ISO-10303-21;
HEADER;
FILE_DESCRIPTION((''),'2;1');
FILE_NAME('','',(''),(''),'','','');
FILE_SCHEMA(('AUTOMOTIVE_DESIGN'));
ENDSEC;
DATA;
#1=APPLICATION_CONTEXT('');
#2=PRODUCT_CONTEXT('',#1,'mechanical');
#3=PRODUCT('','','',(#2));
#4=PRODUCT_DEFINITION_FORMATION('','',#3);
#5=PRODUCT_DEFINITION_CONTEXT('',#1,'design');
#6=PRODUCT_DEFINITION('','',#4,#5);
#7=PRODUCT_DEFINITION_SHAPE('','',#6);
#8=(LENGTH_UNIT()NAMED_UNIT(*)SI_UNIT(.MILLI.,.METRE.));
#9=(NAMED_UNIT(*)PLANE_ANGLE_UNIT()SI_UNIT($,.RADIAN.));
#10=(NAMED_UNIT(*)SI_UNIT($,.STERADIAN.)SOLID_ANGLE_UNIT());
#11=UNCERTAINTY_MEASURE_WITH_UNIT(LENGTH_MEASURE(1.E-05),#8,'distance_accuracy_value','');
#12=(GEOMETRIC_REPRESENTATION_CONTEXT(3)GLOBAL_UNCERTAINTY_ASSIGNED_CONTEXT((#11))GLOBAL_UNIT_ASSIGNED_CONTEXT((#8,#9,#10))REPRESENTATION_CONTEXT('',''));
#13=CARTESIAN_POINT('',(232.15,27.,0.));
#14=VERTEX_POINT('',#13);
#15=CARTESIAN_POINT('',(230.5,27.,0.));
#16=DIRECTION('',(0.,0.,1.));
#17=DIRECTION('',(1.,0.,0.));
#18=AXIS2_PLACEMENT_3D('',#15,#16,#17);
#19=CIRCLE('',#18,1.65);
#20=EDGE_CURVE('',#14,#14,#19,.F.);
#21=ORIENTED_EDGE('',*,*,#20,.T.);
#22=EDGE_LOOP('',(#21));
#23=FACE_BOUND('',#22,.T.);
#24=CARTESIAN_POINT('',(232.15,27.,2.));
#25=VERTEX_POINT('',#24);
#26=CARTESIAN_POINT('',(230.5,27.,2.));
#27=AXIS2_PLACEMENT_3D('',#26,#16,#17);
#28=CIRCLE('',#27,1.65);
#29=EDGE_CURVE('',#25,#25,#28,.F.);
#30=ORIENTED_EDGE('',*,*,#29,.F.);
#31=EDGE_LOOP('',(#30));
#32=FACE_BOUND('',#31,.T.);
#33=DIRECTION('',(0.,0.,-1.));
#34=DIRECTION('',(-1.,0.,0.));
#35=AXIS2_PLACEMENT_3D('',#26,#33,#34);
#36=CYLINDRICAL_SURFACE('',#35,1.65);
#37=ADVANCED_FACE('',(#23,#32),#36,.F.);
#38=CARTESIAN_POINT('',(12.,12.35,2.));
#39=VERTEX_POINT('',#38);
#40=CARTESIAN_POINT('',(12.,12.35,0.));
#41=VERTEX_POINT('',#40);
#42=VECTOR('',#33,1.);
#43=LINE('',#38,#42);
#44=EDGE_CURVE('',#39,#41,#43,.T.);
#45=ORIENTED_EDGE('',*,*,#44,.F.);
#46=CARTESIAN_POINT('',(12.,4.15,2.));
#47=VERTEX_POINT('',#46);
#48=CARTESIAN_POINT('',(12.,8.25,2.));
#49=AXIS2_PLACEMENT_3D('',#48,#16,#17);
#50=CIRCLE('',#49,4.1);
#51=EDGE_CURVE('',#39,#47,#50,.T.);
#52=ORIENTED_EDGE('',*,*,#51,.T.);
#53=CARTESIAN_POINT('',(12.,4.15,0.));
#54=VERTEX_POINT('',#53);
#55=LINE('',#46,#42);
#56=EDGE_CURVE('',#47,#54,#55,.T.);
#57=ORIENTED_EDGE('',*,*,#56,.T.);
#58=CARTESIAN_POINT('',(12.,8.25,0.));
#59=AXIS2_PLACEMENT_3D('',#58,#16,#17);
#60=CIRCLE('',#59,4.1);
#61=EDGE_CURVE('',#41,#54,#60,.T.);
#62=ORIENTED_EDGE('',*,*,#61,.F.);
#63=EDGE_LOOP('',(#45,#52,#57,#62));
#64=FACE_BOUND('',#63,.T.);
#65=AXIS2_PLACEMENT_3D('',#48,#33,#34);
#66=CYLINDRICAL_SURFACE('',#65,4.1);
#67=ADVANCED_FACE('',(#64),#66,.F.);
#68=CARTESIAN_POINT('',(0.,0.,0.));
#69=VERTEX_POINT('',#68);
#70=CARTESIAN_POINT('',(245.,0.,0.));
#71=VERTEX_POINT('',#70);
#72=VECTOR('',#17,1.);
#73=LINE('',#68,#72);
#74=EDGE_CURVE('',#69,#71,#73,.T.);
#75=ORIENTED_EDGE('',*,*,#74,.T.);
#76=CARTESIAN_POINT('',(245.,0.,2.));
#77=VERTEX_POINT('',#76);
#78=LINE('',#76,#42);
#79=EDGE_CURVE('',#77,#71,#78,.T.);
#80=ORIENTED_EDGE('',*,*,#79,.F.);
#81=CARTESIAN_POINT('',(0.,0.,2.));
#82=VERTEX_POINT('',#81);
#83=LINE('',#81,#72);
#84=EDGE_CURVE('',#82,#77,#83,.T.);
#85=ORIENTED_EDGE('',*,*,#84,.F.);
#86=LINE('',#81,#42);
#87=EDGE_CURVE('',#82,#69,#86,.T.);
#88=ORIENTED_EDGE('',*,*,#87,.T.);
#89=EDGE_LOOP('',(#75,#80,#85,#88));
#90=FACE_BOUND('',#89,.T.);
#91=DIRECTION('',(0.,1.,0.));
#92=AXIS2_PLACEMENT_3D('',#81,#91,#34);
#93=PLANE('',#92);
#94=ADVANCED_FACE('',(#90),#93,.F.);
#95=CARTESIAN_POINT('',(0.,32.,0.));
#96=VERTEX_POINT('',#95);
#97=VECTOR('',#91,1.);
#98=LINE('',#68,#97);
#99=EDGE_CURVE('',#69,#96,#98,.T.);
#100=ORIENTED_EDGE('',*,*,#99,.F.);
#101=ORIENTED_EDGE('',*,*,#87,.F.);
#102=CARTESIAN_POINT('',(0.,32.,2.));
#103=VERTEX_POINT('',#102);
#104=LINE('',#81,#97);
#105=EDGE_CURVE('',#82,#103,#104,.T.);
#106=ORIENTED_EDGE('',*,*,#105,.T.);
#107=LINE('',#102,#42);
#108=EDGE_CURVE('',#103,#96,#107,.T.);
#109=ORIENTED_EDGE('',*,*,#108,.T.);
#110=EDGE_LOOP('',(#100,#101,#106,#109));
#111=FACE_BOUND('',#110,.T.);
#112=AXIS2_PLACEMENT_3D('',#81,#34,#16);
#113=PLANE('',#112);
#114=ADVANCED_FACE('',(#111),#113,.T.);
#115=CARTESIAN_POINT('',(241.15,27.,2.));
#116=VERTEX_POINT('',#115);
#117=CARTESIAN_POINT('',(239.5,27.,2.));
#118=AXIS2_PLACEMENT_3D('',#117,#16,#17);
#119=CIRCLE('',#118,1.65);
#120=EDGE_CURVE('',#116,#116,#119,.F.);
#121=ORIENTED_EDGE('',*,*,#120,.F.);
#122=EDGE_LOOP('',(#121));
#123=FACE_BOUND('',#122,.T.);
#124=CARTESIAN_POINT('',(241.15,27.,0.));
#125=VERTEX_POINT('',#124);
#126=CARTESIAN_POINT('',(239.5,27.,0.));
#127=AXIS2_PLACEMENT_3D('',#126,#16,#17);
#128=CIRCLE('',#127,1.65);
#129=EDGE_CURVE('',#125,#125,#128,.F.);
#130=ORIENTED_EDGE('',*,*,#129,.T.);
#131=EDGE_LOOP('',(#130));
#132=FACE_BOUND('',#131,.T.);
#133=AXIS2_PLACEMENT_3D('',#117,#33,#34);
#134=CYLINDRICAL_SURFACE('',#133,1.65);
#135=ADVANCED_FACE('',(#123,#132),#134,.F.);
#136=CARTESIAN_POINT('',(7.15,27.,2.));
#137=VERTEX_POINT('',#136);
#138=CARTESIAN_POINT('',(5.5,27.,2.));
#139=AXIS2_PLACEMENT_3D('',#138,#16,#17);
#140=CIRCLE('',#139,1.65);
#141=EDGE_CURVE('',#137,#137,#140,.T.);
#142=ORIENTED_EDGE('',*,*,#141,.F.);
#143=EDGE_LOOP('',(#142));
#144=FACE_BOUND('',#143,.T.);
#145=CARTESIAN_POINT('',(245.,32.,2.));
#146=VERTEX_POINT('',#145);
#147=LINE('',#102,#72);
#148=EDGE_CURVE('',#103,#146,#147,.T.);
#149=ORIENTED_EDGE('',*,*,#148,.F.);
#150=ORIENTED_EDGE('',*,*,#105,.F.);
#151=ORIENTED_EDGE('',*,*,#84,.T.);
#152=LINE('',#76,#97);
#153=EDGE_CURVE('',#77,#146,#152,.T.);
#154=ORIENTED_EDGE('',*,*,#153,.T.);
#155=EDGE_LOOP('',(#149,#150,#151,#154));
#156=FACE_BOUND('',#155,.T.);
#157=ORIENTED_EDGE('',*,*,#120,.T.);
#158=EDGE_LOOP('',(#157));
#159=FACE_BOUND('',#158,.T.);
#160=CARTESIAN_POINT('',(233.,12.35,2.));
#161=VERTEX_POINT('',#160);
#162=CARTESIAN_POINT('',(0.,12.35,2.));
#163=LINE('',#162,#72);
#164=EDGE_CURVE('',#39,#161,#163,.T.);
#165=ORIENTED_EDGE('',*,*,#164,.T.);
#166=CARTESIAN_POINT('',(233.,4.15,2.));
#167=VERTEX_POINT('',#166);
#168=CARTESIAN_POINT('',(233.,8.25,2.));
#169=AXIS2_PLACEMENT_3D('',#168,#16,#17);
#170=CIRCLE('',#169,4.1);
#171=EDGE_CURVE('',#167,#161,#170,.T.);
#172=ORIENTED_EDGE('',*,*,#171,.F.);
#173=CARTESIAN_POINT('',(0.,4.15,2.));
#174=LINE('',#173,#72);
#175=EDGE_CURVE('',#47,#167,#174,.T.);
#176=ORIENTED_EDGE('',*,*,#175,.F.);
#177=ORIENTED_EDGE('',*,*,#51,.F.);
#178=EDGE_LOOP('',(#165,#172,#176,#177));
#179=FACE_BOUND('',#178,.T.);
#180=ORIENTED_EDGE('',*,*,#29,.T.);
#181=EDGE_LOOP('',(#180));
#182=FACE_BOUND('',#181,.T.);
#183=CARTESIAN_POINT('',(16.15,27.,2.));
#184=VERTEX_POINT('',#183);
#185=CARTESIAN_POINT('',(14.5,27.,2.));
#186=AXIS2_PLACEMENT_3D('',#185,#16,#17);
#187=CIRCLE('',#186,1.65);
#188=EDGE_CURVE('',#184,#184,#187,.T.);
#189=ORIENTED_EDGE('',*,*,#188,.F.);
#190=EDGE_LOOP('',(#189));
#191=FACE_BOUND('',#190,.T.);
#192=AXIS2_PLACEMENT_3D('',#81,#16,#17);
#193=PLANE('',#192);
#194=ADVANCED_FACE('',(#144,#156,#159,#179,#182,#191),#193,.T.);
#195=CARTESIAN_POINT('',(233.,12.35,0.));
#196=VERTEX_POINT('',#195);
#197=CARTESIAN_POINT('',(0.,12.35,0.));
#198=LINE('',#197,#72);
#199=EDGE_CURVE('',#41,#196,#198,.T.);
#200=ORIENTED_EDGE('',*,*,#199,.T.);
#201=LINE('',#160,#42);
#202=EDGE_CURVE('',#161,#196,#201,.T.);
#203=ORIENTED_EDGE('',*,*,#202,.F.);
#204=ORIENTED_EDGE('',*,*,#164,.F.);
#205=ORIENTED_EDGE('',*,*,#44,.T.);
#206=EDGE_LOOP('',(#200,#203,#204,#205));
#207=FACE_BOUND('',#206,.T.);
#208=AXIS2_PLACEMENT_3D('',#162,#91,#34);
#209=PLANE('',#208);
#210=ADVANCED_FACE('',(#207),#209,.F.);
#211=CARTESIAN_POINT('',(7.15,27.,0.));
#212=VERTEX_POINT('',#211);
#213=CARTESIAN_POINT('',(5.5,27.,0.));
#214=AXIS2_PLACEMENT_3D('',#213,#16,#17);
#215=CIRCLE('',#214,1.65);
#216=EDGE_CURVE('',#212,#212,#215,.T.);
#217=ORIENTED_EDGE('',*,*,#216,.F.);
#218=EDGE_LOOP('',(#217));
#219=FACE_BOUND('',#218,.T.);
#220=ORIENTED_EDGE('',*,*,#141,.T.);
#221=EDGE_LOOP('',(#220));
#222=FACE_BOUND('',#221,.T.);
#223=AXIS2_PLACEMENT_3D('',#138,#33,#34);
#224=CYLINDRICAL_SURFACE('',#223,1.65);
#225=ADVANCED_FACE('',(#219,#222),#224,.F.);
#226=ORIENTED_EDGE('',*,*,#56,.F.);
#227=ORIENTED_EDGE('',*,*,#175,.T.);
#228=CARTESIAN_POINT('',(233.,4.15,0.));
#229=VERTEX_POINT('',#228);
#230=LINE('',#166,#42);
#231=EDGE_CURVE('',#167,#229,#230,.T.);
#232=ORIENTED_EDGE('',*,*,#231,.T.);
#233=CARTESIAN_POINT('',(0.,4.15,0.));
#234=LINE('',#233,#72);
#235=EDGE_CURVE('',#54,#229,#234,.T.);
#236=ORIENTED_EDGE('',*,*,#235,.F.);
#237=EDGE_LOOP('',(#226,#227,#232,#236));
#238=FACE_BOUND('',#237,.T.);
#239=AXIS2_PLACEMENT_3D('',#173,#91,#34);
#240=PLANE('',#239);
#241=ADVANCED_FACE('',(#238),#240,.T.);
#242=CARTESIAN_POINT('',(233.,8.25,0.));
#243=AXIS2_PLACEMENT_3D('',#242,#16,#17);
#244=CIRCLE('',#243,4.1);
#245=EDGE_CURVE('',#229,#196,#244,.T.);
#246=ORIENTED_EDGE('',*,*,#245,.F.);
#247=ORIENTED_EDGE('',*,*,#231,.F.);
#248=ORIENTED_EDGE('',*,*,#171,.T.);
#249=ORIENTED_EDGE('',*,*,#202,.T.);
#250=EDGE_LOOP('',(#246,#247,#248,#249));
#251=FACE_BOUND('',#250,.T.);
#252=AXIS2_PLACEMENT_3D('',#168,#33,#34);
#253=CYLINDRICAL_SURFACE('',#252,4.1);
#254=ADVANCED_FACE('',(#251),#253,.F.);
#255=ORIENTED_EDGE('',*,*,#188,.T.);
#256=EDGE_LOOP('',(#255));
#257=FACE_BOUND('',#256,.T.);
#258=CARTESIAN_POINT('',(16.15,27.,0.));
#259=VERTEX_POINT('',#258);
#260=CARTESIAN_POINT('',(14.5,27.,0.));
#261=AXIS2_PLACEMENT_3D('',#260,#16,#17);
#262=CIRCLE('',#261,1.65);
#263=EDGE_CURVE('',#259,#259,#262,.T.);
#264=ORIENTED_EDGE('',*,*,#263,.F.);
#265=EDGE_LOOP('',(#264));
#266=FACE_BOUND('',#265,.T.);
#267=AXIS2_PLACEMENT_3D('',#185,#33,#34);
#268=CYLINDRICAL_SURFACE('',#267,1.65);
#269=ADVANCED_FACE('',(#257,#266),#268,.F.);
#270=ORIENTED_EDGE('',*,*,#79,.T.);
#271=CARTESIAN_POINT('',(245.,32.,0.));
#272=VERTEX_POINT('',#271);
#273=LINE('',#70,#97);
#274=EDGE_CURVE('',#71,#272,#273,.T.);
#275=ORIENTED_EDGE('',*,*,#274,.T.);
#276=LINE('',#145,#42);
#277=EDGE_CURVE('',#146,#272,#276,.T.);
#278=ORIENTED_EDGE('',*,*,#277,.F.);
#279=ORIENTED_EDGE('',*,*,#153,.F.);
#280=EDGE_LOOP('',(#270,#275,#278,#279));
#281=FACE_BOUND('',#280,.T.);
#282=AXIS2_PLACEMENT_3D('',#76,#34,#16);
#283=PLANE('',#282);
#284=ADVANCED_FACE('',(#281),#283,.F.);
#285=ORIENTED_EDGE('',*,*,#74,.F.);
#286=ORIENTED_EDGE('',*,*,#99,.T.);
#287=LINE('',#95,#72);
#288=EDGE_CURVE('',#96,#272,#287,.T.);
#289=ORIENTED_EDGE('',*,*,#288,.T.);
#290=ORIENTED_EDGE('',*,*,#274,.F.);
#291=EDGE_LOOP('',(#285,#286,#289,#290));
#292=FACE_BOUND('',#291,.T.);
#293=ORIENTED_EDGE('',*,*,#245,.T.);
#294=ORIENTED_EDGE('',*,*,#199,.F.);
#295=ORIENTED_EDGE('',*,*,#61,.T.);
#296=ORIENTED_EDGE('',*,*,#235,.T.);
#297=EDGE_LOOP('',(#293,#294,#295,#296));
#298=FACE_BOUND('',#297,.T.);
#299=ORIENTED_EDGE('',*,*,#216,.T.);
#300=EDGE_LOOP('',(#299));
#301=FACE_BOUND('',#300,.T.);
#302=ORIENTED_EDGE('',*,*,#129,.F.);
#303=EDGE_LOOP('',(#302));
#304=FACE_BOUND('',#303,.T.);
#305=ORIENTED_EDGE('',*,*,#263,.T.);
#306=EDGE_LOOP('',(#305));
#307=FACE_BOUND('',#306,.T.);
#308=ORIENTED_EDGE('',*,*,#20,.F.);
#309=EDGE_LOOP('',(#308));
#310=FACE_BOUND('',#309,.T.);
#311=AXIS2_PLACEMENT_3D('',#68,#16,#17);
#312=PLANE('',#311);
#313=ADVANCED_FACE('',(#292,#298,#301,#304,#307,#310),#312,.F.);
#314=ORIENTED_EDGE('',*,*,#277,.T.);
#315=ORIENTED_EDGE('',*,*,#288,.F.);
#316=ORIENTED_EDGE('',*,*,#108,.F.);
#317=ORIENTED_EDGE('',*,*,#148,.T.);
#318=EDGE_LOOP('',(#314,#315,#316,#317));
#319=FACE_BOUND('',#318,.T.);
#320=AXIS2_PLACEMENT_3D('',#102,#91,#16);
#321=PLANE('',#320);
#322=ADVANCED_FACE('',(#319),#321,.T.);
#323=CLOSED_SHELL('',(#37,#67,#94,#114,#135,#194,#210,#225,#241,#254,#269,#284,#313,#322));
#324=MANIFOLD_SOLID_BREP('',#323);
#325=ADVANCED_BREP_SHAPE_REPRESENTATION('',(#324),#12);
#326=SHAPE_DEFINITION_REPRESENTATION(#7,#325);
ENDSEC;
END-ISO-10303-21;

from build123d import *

# Parameters (mm, degrees)
SKETCH_1_W      = 245
SKETCH_1_H      = 32
SKETCH_1_R      = 1.65
EXTRUDE_1_DEPTH = 2


with BuildPart() as part:
    # 草图1 → 凸台-拉伸1 (new body)
    with BuildSketch(Plane.XY):
        with Locations((122.5, 16)):
            Rectangle(SKETCH_1_W, SKETCH_1_H)
        with Locations((14.5, 27)):
            Circle(SKETCH_1_R, mode=Mode.SUBTRACT)
        with Locations((5.5, 27)):
            Circle(SKETCH_1_R, mode=Mode.SUBTRACT)
        with Locations((230.5, 27)):
            Circle(SKETCH_1_R, mode=Mode.SUBTRACT)
        with Locations((239.5, 27)):
            Circle(SKETCH_1_R, mode=Mode.SUBTRACT)
        with BuildLine():
            Line((12, 12.35), (233, 12.35))
            ThreePointArc((233, 12.35), (237.1, 8.25), (233, 4.15))
            Line((233, 4.15), (12, 4.15))
            ThreePointArc((12, 4.15), (7.9, 8.25), (12, 12.35))
        make_face(mode=Mode.SUBTRACT)
    extrude(amount=EXTRUDE_1_DEPTH)


solid = part.part
